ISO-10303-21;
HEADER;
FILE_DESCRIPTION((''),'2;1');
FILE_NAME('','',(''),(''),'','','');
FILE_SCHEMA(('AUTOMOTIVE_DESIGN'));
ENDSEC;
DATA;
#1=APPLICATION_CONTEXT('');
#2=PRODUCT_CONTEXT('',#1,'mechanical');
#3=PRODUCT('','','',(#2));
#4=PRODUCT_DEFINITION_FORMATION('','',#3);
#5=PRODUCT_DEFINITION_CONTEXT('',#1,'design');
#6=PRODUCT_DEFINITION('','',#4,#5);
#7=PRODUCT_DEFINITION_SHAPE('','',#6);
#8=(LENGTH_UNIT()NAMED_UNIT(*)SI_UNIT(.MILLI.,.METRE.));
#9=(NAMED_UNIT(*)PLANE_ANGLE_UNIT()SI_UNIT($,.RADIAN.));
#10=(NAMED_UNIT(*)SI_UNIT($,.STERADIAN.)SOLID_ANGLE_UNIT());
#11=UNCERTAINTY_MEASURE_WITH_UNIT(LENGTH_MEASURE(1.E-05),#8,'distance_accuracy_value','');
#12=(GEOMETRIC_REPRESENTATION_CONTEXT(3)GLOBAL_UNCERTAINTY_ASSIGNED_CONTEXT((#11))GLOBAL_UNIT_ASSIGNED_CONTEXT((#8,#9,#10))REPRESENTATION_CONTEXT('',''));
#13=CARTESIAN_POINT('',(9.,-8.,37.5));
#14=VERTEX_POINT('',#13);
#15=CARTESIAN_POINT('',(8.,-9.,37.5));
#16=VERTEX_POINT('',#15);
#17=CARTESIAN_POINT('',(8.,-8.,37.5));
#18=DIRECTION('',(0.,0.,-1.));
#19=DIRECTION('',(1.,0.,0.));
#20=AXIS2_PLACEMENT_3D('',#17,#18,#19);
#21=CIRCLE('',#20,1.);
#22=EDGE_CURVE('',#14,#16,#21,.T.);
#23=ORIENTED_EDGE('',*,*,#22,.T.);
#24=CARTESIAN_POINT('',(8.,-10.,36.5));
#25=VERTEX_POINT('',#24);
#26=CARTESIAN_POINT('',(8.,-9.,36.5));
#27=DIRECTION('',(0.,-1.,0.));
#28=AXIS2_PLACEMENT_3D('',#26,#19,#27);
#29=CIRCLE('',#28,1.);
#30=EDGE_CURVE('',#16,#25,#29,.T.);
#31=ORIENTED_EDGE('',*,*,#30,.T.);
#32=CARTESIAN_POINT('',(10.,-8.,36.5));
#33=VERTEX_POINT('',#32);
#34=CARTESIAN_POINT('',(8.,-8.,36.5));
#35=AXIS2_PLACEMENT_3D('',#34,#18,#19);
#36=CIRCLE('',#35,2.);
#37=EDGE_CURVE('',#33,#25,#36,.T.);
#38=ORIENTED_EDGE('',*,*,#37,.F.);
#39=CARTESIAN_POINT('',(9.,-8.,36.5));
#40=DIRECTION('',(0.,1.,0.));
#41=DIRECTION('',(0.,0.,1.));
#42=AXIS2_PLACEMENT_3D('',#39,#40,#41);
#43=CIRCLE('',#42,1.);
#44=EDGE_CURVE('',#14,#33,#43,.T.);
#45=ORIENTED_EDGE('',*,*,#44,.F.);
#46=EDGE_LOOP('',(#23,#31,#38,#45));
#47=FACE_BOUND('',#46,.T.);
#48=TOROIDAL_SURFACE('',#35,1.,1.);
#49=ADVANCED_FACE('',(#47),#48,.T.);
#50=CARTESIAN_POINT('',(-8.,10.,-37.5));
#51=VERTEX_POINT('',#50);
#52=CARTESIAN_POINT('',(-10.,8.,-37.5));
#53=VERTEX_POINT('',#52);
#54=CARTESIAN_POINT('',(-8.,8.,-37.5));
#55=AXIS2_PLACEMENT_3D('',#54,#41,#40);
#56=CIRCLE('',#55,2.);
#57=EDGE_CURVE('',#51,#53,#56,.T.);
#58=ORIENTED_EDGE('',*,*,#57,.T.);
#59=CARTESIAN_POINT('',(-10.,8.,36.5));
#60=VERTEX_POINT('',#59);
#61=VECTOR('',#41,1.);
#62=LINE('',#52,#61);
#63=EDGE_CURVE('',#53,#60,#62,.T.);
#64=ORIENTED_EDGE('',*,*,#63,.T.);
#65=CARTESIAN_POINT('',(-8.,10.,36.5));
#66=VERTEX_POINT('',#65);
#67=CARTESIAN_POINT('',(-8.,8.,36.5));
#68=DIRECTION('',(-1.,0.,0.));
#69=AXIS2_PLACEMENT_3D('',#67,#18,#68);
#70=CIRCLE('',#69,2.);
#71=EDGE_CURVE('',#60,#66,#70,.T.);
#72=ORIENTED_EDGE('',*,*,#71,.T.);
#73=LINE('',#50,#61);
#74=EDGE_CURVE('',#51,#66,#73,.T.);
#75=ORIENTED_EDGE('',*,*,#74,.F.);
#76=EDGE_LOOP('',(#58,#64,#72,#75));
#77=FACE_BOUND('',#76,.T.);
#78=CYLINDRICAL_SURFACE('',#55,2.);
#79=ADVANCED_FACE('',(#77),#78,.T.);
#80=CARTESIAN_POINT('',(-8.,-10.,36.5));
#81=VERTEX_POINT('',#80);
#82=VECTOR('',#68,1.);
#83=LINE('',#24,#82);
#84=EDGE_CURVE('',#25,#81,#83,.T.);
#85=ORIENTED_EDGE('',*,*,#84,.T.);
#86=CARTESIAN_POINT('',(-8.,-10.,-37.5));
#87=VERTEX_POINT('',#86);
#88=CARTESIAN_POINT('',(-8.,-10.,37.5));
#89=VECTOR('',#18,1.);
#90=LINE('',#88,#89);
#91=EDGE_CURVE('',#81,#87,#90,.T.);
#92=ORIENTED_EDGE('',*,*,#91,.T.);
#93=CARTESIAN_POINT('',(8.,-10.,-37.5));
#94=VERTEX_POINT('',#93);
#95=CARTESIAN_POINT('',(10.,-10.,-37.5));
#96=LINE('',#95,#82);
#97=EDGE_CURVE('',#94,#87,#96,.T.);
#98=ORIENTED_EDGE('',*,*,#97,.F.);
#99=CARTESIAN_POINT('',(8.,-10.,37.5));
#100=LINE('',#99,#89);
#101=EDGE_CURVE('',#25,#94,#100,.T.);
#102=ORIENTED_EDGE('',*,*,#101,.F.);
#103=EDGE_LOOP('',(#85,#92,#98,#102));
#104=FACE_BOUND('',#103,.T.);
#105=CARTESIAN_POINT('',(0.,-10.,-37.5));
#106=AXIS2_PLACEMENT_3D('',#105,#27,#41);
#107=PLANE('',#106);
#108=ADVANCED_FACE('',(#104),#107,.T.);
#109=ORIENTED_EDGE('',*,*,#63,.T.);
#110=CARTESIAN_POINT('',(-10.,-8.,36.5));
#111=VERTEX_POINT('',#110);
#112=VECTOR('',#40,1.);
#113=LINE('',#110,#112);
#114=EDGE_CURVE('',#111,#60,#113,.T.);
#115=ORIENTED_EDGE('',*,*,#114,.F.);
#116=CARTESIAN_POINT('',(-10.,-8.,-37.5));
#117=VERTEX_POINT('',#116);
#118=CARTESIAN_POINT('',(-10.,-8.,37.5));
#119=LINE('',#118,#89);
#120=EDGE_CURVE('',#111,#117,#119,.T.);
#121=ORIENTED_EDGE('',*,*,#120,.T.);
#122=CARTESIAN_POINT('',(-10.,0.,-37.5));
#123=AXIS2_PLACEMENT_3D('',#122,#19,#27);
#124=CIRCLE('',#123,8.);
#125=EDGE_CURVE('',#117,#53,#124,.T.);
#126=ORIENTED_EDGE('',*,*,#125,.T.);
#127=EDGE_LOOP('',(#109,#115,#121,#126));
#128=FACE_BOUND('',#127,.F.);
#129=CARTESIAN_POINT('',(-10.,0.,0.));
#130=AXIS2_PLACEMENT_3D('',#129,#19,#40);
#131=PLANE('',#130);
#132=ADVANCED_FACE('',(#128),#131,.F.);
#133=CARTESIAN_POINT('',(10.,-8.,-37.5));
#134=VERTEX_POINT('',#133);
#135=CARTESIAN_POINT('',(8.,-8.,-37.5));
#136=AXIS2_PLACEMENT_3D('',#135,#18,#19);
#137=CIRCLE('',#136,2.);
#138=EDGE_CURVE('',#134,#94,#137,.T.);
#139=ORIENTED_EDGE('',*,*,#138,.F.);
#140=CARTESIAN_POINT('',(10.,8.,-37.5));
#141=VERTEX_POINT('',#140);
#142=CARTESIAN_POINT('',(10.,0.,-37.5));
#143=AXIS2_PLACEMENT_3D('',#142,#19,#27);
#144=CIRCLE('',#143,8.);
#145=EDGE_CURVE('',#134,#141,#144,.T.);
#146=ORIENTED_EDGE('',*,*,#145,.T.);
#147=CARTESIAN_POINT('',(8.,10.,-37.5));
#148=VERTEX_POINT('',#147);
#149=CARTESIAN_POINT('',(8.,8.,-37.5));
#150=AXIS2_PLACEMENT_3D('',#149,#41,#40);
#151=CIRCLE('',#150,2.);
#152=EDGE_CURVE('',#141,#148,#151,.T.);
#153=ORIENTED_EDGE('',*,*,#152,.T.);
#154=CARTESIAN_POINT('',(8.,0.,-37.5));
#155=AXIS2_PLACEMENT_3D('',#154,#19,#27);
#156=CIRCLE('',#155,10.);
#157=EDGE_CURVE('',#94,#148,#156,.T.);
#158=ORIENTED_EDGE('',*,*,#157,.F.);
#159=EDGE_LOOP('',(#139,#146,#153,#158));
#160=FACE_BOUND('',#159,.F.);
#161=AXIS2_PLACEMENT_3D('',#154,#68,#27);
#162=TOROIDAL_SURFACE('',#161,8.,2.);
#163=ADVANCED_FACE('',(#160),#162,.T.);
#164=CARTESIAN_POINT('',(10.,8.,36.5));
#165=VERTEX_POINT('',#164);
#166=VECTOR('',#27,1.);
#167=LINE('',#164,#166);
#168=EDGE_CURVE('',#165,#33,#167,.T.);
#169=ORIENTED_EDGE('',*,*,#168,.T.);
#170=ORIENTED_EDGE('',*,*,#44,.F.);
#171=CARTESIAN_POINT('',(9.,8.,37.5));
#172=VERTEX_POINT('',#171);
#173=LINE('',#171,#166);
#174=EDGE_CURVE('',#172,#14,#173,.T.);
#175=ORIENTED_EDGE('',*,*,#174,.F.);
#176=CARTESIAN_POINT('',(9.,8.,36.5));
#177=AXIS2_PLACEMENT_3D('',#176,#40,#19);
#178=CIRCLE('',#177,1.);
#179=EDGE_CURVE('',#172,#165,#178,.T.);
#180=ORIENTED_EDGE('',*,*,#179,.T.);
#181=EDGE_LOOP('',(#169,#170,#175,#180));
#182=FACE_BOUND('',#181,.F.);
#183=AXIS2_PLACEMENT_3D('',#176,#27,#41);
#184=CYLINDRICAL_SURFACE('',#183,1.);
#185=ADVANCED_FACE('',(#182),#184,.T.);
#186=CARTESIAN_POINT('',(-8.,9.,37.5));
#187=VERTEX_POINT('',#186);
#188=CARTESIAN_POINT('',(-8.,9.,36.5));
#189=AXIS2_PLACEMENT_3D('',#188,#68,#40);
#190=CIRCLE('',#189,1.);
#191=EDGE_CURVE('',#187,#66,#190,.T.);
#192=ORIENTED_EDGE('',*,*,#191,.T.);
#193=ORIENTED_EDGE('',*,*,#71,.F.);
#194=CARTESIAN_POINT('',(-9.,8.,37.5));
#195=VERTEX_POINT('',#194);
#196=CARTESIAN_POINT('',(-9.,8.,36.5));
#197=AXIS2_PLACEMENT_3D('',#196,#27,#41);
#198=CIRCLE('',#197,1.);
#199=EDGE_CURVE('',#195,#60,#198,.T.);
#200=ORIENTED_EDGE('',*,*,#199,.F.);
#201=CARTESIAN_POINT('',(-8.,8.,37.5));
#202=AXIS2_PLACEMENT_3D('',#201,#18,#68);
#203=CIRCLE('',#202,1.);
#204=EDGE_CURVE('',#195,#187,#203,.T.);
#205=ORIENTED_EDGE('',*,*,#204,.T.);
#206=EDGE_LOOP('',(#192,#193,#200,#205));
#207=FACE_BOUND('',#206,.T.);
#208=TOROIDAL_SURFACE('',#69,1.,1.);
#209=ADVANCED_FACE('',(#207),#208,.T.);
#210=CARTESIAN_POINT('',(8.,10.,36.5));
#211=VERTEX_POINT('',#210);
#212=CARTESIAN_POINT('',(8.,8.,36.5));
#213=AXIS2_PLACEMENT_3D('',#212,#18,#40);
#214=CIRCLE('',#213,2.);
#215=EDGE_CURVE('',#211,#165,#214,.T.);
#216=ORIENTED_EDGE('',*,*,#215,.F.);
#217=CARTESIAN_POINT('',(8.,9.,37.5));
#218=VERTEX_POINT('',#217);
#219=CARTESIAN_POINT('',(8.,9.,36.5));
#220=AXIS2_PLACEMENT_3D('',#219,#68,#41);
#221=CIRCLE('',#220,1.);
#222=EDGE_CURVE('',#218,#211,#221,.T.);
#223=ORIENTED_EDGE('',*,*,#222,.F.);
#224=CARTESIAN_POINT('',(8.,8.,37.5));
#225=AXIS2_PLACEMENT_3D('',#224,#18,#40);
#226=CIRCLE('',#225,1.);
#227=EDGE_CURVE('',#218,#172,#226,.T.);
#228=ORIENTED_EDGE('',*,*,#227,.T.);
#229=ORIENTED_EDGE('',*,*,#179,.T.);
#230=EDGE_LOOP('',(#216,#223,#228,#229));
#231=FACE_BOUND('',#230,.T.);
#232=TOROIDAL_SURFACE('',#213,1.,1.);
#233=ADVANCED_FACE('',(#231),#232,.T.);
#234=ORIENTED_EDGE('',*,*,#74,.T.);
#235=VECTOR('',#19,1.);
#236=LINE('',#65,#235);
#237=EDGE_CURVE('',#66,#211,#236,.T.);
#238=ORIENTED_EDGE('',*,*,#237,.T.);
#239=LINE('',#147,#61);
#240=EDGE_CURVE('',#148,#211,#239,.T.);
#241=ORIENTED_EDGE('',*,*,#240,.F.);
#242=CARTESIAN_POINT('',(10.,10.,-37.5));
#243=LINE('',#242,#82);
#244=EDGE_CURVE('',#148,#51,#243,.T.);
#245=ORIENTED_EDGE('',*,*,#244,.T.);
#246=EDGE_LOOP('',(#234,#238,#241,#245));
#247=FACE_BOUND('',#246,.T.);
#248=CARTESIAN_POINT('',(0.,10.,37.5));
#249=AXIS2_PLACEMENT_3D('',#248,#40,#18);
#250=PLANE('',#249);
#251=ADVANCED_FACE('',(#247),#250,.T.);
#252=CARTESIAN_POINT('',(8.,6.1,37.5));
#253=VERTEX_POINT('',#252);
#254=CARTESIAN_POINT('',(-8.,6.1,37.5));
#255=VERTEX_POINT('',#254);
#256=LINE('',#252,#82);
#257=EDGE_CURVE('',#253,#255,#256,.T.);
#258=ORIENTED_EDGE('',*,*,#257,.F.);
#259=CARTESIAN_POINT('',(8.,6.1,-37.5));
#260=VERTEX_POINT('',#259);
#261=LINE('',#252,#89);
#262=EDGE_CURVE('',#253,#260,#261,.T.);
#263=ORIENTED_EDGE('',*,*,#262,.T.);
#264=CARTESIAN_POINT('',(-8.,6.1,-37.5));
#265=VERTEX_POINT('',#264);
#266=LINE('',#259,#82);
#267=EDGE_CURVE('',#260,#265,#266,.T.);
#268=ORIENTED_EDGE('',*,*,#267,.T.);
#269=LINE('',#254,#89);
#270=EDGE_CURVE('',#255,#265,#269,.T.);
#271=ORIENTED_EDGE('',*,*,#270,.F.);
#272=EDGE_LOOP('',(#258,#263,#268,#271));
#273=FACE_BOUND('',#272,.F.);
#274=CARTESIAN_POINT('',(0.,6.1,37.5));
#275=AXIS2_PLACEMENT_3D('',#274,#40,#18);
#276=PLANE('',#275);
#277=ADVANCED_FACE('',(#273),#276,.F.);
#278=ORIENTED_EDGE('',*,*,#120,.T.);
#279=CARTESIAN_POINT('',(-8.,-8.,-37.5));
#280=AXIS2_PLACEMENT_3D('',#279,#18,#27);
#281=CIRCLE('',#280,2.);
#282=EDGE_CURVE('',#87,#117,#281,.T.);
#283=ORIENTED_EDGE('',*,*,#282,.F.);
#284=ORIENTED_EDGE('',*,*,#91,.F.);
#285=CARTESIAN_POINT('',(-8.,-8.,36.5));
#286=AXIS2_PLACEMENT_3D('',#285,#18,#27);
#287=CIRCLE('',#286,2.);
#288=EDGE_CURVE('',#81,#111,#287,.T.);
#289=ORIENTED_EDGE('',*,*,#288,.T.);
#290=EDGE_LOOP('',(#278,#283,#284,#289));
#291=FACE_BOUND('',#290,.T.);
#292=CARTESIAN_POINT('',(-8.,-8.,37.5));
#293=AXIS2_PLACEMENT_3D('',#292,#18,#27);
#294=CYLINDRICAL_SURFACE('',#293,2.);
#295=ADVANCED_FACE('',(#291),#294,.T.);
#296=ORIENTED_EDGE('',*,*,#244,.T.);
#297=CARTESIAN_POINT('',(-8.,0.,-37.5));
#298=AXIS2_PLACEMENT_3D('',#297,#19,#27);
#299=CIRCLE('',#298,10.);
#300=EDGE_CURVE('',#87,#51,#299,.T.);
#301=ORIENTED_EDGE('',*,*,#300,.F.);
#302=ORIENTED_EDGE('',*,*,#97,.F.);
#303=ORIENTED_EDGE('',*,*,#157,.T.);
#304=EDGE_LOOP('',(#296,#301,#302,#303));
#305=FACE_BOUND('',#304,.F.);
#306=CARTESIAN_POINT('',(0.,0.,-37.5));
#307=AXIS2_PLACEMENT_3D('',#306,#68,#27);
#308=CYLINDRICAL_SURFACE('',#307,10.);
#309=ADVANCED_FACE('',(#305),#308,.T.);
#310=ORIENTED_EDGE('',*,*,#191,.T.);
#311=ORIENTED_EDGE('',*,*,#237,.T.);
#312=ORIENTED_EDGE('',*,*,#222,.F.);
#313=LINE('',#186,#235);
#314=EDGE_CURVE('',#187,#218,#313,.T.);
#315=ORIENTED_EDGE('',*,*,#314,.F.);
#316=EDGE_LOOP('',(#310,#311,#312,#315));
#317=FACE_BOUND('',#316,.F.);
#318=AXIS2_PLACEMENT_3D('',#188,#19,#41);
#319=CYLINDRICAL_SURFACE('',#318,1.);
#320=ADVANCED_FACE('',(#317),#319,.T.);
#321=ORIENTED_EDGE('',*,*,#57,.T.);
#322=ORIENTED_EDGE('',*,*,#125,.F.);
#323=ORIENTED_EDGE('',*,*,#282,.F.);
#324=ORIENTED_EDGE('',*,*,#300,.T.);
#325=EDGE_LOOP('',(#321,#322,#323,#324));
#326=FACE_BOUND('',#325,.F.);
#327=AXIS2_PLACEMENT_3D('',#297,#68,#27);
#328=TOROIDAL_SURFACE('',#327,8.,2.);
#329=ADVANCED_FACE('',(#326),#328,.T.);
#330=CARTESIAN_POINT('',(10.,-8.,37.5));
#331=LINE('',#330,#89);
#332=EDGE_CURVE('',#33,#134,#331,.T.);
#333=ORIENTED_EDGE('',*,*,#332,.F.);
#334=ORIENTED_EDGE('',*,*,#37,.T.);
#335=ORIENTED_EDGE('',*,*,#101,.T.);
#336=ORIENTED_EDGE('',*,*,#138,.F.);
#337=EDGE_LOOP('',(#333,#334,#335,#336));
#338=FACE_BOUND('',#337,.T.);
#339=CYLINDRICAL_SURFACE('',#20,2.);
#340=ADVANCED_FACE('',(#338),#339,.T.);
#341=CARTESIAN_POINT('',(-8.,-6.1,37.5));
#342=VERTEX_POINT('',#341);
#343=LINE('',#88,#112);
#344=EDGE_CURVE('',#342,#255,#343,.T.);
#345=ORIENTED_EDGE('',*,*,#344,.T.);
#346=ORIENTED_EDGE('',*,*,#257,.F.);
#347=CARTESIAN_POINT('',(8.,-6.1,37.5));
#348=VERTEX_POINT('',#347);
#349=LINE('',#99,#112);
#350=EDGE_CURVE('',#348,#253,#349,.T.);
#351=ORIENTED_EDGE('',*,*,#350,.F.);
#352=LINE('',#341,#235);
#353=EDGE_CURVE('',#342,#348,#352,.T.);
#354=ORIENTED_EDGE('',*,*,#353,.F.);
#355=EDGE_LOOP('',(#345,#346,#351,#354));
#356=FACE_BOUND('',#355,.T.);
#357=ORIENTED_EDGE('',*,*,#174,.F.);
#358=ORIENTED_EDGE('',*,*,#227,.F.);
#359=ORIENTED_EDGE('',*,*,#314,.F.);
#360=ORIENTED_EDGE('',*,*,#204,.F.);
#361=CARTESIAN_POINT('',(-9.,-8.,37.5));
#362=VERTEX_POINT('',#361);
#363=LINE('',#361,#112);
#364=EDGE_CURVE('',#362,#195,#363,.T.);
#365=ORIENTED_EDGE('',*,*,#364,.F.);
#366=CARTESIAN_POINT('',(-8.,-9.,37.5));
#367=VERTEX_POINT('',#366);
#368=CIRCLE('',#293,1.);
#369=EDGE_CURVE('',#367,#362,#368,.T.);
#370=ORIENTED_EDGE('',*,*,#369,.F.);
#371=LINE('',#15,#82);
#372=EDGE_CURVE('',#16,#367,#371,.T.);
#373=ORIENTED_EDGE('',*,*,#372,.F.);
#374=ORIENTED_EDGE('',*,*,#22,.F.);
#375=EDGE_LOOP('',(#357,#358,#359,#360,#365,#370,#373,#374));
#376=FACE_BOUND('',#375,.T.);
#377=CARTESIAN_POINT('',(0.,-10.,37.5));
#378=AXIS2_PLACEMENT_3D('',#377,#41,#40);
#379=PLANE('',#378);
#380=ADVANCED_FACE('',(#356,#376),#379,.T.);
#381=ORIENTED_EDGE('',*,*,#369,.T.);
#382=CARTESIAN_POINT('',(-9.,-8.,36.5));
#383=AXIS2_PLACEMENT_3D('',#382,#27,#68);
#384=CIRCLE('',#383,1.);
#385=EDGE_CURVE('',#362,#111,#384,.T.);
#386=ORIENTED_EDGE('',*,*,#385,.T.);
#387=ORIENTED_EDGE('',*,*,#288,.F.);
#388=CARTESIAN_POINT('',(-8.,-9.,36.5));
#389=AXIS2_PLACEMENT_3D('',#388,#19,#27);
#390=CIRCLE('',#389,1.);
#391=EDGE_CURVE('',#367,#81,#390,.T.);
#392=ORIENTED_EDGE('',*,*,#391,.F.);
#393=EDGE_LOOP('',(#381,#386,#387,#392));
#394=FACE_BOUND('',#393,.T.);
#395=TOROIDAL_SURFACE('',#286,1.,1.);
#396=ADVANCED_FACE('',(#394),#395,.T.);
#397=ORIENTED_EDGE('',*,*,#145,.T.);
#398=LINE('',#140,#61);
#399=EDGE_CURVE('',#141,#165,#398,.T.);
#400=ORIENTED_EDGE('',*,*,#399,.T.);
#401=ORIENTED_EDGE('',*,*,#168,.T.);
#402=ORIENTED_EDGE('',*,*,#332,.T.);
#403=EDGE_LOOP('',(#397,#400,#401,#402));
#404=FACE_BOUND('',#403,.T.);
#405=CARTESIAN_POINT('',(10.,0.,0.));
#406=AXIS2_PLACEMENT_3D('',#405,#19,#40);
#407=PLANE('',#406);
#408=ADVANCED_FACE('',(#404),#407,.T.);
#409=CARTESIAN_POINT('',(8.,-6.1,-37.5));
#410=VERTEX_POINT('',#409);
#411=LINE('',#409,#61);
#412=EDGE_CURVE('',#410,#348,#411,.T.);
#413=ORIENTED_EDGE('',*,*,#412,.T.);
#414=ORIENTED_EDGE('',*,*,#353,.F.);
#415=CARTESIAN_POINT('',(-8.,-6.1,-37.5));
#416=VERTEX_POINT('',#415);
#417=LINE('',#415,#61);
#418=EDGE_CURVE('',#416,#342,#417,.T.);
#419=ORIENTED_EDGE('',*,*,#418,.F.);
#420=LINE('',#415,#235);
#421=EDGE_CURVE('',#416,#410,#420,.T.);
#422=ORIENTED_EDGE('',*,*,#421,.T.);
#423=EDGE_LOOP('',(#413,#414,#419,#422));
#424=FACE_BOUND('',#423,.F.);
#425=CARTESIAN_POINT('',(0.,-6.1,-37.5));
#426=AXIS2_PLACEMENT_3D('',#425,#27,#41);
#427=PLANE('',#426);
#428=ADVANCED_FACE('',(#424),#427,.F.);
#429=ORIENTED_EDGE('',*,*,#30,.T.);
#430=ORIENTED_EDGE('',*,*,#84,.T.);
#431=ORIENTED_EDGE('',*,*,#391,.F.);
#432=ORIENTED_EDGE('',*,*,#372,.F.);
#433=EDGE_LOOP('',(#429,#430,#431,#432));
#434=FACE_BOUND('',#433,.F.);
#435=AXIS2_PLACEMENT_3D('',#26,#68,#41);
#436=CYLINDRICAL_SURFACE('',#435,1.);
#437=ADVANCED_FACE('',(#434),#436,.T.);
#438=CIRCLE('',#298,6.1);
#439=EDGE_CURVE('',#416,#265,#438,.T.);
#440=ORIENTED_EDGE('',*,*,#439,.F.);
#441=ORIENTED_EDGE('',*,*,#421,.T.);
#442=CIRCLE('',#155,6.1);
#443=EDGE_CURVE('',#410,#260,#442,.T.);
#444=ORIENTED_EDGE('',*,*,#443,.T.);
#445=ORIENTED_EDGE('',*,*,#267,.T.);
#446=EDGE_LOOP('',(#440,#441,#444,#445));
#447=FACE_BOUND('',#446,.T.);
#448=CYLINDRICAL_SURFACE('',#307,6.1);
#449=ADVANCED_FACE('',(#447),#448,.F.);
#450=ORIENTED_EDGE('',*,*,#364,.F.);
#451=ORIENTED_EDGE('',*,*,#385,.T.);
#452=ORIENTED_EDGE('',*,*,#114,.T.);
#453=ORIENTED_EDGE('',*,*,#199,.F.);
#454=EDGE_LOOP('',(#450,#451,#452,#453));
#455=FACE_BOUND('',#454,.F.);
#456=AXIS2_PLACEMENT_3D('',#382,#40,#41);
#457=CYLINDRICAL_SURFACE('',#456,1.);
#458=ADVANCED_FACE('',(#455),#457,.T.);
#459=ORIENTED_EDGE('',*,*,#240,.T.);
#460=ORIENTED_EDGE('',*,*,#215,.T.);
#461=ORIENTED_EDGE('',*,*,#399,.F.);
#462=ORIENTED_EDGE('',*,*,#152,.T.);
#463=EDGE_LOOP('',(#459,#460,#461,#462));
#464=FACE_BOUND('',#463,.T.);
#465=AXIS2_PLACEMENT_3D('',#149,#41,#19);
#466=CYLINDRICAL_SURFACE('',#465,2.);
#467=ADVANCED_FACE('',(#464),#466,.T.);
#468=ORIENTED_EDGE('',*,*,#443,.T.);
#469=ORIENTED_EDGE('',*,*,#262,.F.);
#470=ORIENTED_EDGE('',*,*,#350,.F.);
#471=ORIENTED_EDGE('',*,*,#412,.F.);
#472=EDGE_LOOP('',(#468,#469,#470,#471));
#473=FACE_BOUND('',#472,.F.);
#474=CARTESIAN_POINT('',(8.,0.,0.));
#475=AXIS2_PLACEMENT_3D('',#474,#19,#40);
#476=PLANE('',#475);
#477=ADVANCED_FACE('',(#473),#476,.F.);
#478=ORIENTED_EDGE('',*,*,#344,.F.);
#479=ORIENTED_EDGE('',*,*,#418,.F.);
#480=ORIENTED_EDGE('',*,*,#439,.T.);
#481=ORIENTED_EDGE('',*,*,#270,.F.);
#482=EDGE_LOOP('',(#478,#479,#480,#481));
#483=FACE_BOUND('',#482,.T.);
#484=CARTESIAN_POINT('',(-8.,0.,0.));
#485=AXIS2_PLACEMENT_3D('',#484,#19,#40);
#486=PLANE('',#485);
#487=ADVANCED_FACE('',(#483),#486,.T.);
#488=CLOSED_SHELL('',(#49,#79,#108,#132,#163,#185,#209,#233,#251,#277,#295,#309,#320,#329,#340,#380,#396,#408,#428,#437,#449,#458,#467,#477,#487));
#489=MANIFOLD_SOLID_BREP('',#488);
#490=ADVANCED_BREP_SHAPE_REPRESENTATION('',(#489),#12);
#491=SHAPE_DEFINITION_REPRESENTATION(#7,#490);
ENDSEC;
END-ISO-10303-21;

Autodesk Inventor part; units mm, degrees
ref_plane "YZ Plane" through (0, 0, 0) normal (1, 0, 0) x (0, 1, 0)
ref_plane "XZ Plane" through (0, 0, 0) normal (0, 1, 0) x (-1, 0, 0)
ref_plane "XY Plane" through (0, 0, 0) normal (0, 0, 1) x (1, 0, 0)
sketch "Sketch1" plane through (0, 0, 0) normal (1, 0, 0) x (0, 1, 0)
  line L0 (10, 37.5) -> (10, -37.5)
  arc A0 (-10, -37.5) -> (10, -37.5) centre (0, -37.5) ccw
  line L1 (-10, -37.5) -> (-10, 37.5)
  line L2 (-10, 37.5) -> (10, 37.5)
  point P0 (0, 0)
  point P1 (-10, 0)
  dimension "d0" = 20
  dimension "d1" = 75
  dimension "d2" = 10
extrude "Extrusion1" add sketch "Sketch1" along normal mid plane 20
sketch "Sketch2" plane through (0, 0, 0) normal (1, 0, 0) x (0, 1, 0)
  line L0 (-10, 37.5) -> (10, 37.5) projected
  line L1 (6.1, 37.5) -> (6.1, -37.5)
  arc A0 (-6.1, -37.5) -> (6.1, -37.5) centre (0, -37.5) ccw
  line L2 (-6.1, -37.5) -> (-6.1, 37.5)
  point P0 (0, 0)
  dimension "d5" = 75
  dimension "d6" = 12.2
extrude "Extrusion2" cut sketch "Sketch2" along normal mid plane 16
fillet "Fillet1" radius 2 6 edges at (-10, 0, -47.5) (-10, 10, 0) (-10, -10, 0) (10, 0, -47.5) (10, 10, 0) (10, -10, 0)
fillet "Fillet2" radius 1 8 edges at (-9.4142, -9.4142, 37.5) (-10, 0, 37.5) (-9.4142, 9.4142, 37.5) (0, 10, 37.5) (9.4142, 9.4142, 37.5) (10, 0, 37.5) (9.4142, -9.4142, 37.5) (0, -10, 37.5)
properties part number "Part5_GOMA" material "Polystyrene"
